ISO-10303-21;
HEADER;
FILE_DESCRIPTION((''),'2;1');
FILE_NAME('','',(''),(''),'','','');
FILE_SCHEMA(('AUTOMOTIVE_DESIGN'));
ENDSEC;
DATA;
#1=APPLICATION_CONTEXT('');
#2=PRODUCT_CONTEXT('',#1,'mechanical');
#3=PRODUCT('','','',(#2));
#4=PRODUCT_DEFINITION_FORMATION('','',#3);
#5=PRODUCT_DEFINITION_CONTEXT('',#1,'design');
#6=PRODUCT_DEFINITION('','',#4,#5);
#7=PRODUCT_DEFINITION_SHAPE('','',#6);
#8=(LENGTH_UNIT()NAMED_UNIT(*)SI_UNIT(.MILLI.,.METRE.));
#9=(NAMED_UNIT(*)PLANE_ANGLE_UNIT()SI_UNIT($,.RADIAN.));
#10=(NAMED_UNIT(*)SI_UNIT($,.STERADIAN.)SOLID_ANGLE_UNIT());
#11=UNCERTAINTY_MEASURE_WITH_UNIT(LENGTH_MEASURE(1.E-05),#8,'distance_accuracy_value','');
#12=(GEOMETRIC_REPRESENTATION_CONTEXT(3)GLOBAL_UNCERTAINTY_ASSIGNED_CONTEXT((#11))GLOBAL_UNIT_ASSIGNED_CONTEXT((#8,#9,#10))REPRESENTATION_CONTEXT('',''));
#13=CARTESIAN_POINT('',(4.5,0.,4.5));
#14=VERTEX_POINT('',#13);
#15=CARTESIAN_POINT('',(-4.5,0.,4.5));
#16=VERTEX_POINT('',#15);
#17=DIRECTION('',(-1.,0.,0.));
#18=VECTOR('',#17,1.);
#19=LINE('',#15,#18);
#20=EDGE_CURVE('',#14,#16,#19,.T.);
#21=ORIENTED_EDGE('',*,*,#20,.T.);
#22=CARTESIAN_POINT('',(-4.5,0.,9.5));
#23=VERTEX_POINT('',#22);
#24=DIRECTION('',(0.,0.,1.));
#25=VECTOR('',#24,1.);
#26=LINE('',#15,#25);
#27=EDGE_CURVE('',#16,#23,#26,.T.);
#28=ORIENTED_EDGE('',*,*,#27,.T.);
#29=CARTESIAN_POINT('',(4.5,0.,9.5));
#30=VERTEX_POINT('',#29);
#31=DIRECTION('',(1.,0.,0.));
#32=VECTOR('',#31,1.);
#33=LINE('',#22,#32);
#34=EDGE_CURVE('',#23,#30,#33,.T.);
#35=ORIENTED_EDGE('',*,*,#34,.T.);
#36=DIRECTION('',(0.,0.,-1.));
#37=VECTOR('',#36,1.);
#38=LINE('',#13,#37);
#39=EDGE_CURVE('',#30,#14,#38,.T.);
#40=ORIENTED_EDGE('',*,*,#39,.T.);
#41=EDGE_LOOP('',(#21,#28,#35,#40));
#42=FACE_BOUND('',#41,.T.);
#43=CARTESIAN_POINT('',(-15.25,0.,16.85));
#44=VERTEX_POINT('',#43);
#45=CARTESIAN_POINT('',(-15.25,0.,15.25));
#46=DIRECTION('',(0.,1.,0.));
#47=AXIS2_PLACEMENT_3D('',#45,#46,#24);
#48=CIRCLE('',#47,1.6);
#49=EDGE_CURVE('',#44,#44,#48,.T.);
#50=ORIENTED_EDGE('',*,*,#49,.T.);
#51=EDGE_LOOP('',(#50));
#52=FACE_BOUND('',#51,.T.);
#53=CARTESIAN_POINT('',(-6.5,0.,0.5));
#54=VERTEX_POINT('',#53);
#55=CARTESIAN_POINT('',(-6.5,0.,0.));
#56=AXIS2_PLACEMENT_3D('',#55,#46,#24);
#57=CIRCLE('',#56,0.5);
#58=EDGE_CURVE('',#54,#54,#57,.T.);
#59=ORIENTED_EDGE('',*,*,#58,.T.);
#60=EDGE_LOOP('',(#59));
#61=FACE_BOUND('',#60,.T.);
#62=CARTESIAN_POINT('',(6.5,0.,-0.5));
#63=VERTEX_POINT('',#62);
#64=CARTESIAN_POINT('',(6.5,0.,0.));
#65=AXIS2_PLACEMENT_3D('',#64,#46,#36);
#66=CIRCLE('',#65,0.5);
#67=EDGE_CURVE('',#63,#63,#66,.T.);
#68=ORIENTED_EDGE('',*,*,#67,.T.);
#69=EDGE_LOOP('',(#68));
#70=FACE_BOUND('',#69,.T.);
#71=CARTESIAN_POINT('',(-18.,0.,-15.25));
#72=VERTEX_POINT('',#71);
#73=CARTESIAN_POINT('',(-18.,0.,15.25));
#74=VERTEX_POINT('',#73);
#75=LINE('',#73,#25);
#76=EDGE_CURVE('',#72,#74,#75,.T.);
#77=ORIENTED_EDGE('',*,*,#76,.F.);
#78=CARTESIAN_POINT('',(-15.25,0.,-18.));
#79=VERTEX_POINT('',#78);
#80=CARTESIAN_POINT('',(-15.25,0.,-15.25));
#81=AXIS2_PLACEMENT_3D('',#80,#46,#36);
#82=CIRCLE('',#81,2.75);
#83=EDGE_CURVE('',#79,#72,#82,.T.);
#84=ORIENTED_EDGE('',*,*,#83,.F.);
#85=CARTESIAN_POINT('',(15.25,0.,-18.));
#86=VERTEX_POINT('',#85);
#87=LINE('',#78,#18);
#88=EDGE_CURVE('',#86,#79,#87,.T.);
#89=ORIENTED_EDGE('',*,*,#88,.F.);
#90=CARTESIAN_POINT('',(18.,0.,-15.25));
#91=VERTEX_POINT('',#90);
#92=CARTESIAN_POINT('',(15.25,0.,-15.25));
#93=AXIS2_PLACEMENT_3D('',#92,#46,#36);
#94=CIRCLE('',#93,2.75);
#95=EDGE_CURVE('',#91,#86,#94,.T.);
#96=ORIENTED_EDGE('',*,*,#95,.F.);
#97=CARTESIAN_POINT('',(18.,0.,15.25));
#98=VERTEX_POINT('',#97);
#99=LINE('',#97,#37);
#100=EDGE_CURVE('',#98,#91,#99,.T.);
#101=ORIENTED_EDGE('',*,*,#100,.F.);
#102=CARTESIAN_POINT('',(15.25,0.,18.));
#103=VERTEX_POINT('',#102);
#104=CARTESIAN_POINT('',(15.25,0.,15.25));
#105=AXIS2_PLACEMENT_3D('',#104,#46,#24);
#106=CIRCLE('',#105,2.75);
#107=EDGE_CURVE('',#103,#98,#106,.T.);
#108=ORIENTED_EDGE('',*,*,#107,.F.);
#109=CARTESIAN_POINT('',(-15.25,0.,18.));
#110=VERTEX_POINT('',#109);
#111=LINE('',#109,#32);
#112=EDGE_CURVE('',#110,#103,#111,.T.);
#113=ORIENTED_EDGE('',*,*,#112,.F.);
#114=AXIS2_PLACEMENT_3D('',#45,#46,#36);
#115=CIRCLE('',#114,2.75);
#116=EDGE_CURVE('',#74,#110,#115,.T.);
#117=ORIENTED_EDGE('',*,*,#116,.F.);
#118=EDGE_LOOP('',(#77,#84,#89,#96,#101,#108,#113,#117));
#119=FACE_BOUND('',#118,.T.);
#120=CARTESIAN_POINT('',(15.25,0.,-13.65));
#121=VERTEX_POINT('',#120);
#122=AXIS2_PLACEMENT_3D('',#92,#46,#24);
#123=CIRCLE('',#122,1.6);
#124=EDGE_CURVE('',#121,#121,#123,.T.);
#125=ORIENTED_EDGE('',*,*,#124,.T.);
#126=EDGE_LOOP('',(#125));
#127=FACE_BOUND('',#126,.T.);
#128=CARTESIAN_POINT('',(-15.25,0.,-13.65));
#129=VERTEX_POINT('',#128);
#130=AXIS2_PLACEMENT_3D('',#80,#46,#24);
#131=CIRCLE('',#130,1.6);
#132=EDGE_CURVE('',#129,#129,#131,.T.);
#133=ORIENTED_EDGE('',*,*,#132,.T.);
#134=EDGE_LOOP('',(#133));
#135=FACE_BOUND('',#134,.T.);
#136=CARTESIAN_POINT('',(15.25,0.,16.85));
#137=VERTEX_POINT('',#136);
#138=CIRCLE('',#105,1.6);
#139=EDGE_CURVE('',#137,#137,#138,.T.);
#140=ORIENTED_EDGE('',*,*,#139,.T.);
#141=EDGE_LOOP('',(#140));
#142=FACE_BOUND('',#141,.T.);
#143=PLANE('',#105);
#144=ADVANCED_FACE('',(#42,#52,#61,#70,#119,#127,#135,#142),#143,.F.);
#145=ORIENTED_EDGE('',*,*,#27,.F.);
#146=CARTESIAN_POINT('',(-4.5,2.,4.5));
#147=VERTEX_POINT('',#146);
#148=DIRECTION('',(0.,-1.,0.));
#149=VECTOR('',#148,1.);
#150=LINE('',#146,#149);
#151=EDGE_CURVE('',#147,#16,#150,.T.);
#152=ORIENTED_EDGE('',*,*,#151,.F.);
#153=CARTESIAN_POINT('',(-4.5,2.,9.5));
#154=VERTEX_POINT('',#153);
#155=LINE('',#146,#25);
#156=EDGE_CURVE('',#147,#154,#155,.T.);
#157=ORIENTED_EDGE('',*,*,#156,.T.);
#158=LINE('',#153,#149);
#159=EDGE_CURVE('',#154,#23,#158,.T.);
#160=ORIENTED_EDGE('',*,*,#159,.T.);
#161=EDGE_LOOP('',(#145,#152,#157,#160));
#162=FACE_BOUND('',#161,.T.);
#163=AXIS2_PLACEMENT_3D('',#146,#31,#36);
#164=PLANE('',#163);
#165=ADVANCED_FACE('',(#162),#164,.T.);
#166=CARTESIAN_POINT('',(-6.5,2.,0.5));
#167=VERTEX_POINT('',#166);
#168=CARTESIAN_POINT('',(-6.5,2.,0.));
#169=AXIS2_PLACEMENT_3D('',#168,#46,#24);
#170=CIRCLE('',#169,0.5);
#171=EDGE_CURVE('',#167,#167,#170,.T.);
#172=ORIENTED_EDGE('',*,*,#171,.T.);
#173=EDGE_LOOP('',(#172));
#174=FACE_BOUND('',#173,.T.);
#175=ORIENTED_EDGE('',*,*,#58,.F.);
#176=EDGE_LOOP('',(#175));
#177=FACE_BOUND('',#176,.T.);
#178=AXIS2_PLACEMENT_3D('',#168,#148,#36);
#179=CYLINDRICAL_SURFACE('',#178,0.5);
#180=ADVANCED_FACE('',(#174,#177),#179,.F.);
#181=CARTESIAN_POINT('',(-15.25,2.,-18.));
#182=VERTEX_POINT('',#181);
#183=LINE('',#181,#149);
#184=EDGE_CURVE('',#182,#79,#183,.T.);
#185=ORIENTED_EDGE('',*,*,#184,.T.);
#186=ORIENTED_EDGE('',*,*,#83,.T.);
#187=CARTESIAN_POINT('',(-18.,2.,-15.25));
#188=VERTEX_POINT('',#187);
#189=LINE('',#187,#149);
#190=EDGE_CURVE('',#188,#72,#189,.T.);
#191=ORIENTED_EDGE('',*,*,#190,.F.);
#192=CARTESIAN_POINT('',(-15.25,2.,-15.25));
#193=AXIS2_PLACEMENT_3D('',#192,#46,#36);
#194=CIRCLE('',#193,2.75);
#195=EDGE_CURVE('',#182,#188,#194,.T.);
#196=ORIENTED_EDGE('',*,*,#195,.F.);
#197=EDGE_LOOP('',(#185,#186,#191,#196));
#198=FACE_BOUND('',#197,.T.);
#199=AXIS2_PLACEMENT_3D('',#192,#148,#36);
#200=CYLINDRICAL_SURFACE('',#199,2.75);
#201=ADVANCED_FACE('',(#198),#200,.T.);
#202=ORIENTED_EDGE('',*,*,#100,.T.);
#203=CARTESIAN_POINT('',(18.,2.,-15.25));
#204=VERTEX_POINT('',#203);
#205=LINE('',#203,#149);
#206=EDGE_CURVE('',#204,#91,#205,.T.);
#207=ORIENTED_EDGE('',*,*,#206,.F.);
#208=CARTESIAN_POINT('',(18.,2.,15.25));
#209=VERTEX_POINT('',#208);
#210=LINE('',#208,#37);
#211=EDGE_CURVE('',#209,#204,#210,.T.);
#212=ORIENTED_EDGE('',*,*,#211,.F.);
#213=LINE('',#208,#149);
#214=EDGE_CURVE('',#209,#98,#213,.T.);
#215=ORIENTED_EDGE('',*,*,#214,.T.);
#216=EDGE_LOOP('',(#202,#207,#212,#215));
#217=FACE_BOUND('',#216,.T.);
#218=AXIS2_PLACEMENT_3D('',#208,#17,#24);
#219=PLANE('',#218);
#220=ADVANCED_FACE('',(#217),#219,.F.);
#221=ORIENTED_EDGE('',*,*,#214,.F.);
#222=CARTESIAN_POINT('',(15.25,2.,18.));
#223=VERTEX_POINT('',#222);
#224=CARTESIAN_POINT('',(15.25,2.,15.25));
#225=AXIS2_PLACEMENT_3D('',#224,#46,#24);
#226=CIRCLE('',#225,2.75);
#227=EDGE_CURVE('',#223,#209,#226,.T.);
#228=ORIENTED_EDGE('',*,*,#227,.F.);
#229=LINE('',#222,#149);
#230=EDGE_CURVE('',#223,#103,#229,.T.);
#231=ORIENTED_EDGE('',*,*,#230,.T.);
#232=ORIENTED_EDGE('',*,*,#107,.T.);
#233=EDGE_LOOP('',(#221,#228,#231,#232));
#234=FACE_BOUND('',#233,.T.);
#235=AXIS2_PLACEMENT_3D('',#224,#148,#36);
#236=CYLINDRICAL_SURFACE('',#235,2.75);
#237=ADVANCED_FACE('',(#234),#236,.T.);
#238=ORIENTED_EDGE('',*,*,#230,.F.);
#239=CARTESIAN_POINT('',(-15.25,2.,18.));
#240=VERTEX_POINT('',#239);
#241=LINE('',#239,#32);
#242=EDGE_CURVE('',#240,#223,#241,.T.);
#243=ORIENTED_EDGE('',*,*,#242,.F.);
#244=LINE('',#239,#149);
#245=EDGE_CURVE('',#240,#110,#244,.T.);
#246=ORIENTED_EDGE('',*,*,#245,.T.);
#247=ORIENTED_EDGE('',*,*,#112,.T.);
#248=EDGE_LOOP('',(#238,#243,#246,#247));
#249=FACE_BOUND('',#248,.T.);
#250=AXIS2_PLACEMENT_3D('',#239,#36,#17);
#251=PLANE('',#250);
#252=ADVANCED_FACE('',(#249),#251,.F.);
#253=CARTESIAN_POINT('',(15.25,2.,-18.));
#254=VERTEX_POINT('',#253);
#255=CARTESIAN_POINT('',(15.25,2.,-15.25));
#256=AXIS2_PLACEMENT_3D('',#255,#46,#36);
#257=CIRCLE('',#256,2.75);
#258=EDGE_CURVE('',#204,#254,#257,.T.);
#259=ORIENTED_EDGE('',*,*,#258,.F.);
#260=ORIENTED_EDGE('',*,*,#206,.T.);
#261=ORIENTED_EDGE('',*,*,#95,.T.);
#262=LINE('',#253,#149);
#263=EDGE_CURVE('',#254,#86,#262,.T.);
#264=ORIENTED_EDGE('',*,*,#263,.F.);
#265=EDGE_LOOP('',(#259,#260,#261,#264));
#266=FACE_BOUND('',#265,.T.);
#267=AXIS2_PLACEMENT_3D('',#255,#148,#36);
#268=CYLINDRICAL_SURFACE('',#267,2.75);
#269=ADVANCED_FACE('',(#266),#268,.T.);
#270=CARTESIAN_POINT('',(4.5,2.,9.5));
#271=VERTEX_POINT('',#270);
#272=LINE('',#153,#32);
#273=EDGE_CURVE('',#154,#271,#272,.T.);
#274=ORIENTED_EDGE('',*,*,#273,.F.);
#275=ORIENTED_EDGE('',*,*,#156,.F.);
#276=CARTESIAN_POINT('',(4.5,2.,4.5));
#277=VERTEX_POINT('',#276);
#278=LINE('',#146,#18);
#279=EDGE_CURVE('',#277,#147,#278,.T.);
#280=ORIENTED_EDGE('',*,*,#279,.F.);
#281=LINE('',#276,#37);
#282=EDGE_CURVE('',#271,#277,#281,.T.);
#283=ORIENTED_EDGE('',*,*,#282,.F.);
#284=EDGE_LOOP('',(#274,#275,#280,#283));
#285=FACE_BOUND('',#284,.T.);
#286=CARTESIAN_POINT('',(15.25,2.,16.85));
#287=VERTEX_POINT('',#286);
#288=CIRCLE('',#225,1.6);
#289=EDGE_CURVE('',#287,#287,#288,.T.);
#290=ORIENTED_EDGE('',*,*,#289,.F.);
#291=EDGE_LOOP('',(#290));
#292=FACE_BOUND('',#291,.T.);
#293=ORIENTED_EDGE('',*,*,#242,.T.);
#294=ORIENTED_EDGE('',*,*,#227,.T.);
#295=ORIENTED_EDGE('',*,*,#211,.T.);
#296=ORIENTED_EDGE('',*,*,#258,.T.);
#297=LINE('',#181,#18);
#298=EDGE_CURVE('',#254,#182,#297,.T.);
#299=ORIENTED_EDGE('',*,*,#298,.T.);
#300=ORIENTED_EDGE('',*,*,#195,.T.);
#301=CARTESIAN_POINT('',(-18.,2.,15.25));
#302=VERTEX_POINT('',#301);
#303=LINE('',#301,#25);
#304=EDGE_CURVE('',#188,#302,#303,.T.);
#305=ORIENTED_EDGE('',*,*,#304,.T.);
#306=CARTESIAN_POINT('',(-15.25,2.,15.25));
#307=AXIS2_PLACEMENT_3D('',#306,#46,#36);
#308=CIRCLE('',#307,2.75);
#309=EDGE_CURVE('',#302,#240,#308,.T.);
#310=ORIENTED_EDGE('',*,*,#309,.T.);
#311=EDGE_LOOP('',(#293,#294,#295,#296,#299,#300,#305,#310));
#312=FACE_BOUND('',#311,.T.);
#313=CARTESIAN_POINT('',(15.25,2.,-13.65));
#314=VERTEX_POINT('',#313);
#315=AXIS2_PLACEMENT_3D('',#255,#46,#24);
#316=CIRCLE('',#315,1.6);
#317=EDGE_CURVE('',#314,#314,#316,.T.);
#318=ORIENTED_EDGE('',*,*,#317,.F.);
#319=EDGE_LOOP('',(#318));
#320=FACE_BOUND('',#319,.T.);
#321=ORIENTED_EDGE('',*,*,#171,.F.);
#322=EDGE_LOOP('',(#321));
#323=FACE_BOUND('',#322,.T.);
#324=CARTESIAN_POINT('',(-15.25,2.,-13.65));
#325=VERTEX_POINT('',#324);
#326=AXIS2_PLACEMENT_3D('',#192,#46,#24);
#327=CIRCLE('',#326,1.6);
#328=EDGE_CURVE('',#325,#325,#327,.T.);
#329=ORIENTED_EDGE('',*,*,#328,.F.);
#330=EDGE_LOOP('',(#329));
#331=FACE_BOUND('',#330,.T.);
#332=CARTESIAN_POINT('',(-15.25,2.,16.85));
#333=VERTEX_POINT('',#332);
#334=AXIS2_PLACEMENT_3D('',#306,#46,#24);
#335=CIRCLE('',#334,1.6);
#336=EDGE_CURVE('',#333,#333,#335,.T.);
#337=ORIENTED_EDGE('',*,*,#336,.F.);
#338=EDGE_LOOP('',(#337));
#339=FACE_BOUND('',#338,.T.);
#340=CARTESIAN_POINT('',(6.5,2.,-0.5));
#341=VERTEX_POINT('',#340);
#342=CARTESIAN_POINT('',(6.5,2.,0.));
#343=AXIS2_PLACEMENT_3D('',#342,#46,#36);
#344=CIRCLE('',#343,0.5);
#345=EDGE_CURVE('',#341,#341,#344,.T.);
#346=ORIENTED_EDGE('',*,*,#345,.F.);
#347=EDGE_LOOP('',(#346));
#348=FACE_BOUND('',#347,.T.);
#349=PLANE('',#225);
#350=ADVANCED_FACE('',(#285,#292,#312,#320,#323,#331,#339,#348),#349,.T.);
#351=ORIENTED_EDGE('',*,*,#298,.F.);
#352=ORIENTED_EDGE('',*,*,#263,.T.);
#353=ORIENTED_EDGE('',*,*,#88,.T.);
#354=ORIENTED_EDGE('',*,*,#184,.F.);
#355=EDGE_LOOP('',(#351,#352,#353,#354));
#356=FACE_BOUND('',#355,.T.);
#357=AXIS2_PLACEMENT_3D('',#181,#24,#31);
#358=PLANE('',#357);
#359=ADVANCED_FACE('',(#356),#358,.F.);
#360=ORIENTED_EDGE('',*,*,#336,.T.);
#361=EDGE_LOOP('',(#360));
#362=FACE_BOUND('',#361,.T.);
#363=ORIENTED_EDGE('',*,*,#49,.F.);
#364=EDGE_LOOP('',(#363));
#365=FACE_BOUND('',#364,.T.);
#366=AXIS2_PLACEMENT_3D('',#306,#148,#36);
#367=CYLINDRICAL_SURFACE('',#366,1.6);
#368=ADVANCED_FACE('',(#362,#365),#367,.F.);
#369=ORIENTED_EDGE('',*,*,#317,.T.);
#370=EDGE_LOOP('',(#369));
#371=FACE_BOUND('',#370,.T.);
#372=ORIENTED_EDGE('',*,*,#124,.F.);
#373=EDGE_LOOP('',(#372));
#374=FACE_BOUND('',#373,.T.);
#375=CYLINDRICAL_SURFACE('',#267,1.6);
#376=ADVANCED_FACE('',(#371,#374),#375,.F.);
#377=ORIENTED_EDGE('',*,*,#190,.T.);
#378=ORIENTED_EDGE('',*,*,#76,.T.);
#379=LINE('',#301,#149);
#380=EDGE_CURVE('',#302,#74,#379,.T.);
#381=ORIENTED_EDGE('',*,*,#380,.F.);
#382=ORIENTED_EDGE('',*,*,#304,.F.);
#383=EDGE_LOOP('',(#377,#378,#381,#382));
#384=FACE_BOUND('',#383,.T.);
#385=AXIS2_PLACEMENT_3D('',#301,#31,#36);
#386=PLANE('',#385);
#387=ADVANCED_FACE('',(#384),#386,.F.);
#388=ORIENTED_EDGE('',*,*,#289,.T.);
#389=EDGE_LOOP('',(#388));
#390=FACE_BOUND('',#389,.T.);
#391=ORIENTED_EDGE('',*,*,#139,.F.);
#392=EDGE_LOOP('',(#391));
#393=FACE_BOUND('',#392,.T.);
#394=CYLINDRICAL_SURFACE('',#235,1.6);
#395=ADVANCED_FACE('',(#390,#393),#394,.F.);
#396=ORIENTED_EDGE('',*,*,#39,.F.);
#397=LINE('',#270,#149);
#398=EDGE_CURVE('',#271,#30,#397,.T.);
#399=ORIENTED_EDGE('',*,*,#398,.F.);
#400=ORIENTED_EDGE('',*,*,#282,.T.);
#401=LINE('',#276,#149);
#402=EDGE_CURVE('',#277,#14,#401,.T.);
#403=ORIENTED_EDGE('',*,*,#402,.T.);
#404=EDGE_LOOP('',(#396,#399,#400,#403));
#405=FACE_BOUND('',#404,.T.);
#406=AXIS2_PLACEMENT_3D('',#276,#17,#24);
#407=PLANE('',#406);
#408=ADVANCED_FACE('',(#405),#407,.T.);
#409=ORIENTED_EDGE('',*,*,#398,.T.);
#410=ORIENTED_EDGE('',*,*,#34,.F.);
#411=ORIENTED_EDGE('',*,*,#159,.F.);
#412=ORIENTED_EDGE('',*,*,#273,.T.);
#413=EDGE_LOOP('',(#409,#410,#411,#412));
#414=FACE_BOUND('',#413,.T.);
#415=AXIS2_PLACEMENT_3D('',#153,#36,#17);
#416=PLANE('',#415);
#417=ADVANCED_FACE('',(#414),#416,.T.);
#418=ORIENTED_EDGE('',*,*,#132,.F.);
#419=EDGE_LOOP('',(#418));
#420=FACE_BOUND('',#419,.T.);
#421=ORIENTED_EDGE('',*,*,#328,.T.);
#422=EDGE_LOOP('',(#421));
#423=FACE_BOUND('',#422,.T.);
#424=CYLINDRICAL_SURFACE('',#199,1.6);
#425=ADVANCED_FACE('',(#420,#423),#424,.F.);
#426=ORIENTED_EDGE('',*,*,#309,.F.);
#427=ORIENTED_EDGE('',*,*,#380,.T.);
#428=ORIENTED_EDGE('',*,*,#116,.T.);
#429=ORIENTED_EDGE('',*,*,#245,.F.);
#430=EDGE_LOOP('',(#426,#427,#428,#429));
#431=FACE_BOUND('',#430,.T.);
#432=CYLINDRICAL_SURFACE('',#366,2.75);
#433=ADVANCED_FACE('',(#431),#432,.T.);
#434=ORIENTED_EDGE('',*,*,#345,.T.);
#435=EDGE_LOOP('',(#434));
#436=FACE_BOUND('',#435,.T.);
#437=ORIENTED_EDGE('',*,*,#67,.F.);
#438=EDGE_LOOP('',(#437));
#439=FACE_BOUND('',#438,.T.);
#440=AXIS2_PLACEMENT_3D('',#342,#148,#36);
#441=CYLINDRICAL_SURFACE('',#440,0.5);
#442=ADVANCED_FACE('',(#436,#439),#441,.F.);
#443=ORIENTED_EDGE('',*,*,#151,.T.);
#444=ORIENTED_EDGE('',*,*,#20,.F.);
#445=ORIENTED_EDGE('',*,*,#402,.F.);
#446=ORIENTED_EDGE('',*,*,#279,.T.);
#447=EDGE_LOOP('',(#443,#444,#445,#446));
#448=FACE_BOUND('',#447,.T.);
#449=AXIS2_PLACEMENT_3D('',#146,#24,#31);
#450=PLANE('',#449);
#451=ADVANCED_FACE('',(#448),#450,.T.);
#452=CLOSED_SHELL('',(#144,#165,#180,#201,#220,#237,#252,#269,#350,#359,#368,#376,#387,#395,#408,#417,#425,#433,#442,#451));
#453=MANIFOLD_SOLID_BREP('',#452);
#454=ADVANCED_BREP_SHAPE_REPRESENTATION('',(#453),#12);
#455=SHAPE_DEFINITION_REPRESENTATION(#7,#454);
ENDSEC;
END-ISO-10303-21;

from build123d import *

# Parameters (mm, degrees)
SKETCH_1_R      = 1.6
SKETCH_1_R_2    = 0.5
SKETCH_1_W      = 9
SKETCH_1_H      = 5
EXTRUDE_1_DEPTH = 2


with BuildPart() as part:
    # 草图1 → 凸台-拉伸1 (new body)
    with BuildSketch(Plane(origin=(0, 0, 0), x_dir=(1, 0, 0), z_dir=(0, 1, 0))):
        with BuildLine():
            Line((-15.25, -18), (15.25, -18))
            ThreePointArc((15.25, -18), (17.194543648, -17.194543648), (18, -15.25))
            Line((18, -15.25), (18, 15.25))
            ThreePointArc((18, 15.25), (17.194543648, 17.194543648), (15.25, 18))
            Line((15.25, 18), (-15.25, 18))
            ThreePointArc((-15.25, 18), (-17.194543648, 17.194543648), (-18, 15.25))
            Line((-18, 15.25), (-18, -15.25))
            ThreePointArc((-18, -15.25), (-17.194543648, -17.194543648), (-15.25, -18))
        make_face()
        with Locations(Location((15.25, 15.25, 0), (0, 0, 270))):
            Circle(SKETCH_1_R, mode=Mode.SUBTRACT)
        with Locations(Location((15.25, -15.25, 0), (0, 0, 270))):
            Circle(SKETCH_1_R, mode=Mode.SUBTRACT)
        with Locations(Location((-15.25, -15.25, 0), (0, 0, 270))):
            Circle(SKETCH_1_R, mode=Mode.SUBTRACT)
        with Locations(Location((-15.25, 15.25, 0), (0, 0, 270))):
            Circle(SKETCH_1_R, mode=Mode.SUBTRACT)
        with Locations(Location((-6.5, 0, 0), (0, 0, 270))):
            Circle(SKETCH_1_R_2, mode=Mode.SUBTRACT)
        with Locations(Location((6.5, 0, 0), (0, 0, 90))):
            Circle(SKETCH_1_R_2, mode=Mode.SUBTRACT)
        with Locations((0, -7)):
            Rectangle(SKETCH_1_W, SKETCH_1_H, mode=Mode.SUBTRACT)
    extrude(amount=EXTRUDE_1_DEPTH)


solid = part.part
